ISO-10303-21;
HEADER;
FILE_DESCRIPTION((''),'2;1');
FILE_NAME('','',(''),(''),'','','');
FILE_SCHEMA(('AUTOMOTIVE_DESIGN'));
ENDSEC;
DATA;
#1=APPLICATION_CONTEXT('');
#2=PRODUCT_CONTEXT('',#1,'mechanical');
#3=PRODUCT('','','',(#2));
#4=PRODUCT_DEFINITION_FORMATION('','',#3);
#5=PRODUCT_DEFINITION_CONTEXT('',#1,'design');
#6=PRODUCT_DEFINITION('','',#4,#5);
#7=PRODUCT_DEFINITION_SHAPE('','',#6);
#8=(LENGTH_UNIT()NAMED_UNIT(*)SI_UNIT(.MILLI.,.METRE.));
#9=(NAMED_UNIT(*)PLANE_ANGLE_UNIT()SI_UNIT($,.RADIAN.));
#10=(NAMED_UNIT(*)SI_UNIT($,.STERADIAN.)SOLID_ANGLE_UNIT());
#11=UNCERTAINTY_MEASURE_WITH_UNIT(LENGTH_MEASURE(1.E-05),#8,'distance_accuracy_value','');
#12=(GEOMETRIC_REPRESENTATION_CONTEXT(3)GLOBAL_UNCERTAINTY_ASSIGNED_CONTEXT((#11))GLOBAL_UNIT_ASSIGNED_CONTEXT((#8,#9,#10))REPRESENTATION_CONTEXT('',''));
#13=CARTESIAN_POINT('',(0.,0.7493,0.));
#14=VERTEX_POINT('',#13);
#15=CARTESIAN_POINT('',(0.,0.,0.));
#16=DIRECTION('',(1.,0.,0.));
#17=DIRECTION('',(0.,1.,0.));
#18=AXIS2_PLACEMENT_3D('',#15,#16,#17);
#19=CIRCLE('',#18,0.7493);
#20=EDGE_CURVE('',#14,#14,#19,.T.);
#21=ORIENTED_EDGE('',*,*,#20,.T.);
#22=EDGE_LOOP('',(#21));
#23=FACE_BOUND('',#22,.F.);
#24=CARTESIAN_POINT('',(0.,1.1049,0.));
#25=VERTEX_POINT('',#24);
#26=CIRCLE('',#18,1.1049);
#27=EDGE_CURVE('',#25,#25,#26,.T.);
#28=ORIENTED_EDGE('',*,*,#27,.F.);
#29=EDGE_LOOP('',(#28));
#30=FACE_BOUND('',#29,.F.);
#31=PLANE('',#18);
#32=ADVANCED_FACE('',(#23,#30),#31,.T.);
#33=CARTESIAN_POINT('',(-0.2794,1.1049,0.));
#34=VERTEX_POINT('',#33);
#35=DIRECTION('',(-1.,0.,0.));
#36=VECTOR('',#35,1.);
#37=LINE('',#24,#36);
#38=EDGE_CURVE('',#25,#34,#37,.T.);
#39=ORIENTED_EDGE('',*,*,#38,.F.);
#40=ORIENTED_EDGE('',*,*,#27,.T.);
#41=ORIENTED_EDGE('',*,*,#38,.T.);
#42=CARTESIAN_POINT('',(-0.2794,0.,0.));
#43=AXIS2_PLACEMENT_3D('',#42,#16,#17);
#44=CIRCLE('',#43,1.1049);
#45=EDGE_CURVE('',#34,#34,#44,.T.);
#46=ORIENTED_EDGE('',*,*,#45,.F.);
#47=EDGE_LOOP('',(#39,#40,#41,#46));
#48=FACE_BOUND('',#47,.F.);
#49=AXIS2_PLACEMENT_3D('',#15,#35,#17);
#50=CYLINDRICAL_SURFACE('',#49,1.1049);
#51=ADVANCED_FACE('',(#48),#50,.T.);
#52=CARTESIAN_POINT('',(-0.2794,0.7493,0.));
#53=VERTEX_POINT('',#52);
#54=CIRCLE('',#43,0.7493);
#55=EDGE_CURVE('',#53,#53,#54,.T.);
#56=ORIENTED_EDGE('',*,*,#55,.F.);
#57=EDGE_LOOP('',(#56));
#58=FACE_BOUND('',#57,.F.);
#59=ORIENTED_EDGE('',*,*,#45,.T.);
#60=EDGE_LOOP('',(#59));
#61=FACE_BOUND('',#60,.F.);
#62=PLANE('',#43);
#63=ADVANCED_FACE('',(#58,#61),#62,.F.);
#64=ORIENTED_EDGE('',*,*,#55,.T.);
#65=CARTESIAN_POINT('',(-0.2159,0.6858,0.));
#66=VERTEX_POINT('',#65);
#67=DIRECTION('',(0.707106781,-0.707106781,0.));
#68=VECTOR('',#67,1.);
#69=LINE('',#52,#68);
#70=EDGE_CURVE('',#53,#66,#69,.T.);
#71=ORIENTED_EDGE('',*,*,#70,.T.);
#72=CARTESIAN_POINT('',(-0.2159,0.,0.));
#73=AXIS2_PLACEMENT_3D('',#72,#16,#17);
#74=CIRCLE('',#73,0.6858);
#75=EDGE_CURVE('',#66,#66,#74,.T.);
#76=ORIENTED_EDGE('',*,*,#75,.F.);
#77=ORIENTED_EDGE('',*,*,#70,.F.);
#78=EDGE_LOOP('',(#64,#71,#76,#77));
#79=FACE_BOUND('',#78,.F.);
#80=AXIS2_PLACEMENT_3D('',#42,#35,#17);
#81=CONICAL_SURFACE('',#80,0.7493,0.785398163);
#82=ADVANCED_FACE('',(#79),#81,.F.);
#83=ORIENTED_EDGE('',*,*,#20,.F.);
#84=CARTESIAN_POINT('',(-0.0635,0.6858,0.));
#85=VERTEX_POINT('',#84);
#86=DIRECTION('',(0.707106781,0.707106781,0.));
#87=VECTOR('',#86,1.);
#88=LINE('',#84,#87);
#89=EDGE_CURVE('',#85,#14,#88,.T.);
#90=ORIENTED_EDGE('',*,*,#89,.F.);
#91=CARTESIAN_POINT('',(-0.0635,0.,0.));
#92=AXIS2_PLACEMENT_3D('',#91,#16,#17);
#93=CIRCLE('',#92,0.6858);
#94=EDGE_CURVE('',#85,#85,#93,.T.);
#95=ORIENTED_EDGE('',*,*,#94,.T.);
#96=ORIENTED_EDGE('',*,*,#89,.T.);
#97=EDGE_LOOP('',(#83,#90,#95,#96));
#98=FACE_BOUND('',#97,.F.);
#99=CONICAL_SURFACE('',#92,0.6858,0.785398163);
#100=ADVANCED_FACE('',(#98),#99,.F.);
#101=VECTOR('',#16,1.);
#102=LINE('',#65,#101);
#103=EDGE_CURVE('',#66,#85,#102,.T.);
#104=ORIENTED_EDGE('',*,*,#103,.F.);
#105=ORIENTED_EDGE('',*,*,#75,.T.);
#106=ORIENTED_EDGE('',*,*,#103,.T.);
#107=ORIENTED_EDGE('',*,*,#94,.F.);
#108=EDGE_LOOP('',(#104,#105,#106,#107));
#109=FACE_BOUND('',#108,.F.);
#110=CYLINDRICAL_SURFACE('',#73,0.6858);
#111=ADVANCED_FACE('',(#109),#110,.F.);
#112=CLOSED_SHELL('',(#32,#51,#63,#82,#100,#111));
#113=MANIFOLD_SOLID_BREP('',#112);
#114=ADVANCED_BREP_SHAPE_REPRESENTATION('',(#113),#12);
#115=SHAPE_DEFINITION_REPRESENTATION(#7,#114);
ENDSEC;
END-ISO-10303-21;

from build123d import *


with BuildPart() as part:
    # Sketch1 → Revolve1 (revolve)
    with BuildSketch(Plane.XY):
        Polygon((0, 0.7493), (0, 1.1049), (-0.2794, 1.1049), (-0.2794, 0.7493), (-0.2159, 0.6858), (-0.0635, 0.6858), align=None)
    revolve(axis=Axis((-0.2794, 0, 0), (1, 0, 0)))


solid = part.part
